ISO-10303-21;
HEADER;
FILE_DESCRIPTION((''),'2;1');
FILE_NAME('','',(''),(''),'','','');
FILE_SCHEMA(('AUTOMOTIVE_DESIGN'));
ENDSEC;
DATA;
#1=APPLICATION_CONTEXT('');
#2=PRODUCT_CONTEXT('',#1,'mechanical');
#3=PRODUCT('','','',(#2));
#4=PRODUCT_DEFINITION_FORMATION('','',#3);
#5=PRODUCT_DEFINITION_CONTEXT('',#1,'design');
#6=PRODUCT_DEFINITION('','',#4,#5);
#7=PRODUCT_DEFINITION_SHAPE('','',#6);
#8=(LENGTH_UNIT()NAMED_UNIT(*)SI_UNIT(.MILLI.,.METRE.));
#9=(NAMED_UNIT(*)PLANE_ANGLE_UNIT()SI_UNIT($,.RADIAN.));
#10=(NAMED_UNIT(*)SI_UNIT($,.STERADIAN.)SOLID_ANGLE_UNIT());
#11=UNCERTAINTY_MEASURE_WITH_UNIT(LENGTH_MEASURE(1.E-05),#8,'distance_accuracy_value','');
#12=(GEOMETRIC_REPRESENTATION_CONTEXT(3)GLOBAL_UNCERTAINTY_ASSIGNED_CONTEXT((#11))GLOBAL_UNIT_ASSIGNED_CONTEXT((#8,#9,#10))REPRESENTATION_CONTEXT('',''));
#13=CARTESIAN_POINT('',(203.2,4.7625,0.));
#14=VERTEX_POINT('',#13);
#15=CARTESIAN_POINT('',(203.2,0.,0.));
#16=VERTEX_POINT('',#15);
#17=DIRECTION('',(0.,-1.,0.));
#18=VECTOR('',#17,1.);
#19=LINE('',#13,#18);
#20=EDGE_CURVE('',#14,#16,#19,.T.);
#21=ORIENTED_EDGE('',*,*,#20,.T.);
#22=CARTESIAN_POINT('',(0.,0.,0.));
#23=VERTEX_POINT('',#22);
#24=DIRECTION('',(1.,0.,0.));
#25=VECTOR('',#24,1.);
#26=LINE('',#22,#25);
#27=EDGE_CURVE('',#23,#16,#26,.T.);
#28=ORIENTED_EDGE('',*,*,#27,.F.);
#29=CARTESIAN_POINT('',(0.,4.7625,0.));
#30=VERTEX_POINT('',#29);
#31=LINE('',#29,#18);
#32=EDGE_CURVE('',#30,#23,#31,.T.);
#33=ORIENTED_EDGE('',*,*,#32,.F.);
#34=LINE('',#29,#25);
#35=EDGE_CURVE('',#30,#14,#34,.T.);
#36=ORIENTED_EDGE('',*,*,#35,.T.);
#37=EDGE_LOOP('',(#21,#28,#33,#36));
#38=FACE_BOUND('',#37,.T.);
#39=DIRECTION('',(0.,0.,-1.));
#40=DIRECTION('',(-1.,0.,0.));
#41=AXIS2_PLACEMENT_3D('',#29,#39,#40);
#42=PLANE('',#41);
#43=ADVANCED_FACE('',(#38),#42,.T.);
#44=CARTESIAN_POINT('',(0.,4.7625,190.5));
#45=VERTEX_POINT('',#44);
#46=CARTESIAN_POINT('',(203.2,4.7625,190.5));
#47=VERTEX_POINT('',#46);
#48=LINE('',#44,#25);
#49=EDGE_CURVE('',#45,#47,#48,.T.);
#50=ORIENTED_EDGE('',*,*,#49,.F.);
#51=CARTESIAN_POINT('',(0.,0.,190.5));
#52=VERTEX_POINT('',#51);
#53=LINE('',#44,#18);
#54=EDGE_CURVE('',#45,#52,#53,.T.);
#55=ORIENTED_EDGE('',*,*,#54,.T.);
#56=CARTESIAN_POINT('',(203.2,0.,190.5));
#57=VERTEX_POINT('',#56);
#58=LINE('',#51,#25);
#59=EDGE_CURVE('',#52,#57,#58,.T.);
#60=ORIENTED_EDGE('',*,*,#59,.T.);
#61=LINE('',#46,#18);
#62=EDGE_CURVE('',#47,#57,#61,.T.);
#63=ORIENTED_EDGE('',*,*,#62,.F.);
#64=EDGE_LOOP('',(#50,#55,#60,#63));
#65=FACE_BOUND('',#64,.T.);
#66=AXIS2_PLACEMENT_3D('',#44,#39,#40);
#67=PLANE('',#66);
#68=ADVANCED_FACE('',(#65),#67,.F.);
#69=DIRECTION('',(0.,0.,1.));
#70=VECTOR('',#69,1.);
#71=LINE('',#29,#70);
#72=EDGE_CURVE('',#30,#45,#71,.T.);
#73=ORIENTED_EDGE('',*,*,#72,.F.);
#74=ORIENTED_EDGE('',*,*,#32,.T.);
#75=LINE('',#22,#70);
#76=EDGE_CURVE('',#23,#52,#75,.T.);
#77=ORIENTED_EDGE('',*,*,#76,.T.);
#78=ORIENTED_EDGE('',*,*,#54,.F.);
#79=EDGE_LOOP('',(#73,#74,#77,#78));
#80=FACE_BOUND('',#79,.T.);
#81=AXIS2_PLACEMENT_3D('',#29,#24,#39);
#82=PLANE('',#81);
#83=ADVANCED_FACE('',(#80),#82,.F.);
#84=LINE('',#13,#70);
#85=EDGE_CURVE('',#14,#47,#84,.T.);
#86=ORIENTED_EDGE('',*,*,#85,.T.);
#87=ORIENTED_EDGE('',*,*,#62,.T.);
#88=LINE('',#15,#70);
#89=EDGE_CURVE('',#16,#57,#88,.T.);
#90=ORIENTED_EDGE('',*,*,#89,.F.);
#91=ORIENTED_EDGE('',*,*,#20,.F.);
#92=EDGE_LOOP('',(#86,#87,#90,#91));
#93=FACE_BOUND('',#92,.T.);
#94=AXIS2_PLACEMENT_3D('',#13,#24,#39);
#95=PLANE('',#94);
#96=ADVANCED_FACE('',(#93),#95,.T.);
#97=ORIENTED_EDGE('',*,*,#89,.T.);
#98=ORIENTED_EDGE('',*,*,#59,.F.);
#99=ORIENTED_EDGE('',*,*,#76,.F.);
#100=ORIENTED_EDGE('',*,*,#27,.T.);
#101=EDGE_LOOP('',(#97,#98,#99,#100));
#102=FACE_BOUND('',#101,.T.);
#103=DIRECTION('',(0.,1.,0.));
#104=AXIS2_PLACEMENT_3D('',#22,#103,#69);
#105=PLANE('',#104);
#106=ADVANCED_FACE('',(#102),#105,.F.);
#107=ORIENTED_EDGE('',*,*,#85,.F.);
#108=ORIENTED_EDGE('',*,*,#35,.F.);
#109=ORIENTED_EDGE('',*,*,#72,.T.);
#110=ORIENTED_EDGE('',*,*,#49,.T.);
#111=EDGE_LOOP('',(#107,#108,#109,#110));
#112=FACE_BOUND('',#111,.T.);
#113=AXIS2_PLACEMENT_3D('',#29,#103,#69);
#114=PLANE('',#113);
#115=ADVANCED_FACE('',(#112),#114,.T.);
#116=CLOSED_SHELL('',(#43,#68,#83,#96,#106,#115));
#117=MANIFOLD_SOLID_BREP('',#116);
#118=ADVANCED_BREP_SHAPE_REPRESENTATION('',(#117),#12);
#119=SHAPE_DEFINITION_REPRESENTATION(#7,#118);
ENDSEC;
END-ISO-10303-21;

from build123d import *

# Parameters (mm, degrees)
SKETCH1_W           = 203.2
SKETCH1_H           = 190.5
BOSS_EXTRUDE1_DEPTH = 4.7625


with BuildPart() as part:
    # Sketch1 → Boss-Extrude1 (new body)
    with BuildSketch(Plane(origin=(0, 0, 0), x_dir=(1, 0, 0), z_dir=(0, 1, 0))):
        with Locations((101.6, -95.25)):
            Rectangle(SKETCH1_W, SKETCH1_H)
    extrude(amount=BOSS_EXTRUDE1_DEPTH)


solid = part.part
